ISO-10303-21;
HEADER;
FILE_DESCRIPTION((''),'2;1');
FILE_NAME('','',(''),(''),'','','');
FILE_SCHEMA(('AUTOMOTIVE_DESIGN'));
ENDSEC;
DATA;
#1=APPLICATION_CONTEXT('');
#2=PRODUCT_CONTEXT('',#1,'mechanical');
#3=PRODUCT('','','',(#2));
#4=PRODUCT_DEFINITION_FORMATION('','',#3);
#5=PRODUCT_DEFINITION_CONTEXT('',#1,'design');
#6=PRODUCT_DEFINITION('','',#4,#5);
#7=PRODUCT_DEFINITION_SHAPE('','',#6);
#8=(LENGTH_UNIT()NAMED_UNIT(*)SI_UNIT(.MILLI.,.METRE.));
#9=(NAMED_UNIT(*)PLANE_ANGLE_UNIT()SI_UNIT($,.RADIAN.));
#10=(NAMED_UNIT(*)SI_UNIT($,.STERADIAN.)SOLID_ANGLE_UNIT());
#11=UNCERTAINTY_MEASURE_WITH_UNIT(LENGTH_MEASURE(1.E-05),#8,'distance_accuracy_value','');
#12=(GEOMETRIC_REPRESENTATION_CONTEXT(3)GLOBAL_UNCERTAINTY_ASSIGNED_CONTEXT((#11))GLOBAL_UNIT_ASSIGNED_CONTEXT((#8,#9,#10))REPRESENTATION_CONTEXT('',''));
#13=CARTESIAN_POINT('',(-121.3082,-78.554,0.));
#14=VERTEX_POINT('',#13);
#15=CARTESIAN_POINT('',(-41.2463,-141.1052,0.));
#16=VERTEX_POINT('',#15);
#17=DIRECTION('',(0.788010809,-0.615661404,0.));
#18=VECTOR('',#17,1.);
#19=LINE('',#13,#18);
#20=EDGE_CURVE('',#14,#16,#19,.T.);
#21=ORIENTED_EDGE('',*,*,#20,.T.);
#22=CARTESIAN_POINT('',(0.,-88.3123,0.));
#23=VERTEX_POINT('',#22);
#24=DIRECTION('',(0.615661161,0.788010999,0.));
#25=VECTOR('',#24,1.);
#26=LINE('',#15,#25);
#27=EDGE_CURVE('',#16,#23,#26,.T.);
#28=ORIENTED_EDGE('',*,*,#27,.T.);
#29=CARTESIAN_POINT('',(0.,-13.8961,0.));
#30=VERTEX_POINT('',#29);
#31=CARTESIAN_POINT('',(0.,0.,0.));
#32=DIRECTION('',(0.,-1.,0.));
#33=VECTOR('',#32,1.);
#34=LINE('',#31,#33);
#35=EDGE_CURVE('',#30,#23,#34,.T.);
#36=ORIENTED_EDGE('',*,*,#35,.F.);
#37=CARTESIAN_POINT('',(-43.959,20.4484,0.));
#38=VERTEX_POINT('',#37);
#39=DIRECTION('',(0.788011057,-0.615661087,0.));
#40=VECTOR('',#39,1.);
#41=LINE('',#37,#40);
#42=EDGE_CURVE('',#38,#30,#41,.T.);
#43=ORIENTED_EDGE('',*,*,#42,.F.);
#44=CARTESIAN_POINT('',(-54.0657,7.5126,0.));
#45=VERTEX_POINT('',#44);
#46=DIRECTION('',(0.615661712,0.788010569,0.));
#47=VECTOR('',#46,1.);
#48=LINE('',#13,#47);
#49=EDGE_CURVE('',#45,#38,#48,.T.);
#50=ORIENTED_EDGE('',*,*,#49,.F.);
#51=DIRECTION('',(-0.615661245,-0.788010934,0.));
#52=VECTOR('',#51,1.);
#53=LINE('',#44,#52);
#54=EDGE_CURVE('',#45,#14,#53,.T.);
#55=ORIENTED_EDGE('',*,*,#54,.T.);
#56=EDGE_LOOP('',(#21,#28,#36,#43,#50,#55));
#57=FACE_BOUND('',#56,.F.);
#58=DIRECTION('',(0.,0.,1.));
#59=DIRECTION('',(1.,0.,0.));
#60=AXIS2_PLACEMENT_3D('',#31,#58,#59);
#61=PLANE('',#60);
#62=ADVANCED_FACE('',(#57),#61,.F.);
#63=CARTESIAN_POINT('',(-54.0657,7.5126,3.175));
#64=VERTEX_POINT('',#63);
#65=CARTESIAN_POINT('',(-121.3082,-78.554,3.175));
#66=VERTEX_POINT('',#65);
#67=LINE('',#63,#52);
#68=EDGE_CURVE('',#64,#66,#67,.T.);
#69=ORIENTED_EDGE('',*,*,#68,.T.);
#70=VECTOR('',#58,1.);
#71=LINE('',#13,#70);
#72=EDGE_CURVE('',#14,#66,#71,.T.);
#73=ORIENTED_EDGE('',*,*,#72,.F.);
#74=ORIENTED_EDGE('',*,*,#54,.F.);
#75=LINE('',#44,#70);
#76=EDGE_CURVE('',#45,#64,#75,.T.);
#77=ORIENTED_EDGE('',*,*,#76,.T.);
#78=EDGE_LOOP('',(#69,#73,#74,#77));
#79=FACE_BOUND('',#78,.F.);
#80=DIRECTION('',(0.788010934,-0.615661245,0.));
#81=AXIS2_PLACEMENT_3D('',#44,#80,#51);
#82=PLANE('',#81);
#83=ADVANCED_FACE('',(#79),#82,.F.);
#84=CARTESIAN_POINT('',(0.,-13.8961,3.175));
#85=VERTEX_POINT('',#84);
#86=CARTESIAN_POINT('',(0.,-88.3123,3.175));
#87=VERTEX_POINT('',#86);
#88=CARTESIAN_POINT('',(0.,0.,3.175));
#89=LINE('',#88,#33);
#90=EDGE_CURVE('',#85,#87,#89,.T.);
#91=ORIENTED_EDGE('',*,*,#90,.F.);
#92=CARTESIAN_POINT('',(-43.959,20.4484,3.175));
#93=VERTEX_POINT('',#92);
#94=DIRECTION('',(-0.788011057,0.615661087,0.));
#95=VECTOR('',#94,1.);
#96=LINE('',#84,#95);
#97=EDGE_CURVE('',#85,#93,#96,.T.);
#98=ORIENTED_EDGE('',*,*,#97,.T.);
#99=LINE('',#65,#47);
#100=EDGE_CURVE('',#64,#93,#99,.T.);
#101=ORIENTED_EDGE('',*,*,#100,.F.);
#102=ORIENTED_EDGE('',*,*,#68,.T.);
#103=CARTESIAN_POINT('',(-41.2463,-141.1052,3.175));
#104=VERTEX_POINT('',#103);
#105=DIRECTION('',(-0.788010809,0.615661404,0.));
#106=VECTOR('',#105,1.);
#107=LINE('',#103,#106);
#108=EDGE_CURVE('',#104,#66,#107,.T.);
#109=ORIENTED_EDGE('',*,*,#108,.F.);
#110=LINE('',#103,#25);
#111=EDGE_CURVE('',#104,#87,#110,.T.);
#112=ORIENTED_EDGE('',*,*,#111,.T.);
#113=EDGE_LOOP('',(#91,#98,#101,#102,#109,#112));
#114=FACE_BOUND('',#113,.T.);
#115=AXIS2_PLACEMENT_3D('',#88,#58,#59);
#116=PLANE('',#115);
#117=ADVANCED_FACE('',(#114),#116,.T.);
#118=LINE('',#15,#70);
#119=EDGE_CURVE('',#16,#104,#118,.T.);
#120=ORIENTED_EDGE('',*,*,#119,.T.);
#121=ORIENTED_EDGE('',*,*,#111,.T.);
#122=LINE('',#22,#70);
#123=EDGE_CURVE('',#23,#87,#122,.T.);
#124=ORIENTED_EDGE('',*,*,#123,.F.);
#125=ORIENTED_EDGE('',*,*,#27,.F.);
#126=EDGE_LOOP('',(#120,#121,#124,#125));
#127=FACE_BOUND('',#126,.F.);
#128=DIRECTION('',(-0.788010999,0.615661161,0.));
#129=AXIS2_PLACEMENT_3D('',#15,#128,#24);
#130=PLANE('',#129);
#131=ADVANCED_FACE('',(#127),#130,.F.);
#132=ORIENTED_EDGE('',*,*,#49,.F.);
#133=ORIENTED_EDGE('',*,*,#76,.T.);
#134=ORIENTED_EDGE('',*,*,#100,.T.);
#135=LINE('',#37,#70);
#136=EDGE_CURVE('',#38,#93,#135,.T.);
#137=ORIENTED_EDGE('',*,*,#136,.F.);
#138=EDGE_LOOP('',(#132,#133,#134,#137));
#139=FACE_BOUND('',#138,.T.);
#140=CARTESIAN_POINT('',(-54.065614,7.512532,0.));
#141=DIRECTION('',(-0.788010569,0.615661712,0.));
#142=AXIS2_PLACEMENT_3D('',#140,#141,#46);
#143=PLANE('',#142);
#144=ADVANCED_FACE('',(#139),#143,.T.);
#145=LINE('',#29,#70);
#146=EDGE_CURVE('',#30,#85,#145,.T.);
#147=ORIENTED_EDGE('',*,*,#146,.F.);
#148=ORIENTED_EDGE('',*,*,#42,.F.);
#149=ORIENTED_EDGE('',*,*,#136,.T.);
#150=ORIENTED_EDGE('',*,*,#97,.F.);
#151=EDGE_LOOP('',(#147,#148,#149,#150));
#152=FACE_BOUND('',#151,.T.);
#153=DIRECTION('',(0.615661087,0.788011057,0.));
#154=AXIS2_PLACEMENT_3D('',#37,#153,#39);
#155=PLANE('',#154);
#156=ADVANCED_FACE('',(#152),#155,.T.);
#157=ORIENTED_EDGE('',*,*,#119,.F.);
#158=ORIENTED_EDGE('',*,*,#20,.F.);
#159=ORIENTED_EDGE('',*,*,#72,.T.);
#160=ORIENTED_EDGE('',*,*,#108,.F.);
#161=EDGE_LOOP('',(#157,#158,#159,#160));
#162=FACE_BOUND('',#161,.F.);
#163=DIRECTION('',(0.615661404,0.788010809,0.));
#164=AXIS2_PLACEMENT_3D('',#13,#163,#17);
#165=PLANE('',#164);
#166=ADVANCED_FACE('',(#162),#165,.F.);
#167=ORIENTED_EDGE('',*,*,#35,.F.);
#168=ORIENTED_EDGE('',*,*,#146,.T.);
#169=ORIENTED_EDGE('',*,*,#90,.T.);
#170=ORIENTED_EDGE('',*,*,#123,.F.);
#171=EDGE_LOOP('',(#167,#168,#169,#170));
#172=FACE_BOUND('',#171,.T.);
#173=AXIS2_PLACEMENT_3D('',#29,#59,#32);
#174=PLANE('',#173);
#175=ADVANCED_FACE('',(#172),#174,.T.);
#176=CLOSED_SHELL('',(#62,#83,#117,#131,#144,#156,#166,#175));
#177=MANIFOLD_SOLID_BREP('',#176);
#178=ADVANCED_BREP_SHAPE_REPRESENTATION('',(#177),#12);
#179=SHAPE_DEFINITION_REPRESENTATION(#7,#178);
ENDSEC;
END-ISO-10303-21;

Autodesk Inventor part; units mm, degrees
ref_plane "YZ Plane" through (0, 0, 0) normal (1, 0, 0) x (0, 1, 0)
ref_plane "XZ Plane" through (0, 0, 0) normal (0, 1, 0) x (-1, 0, 0)
ref_plane "Work Plane1" through (0, 0, 0) normal (0, 0, 1) x (1, 0, 0)
sketch "Sketch1" plane through (0, 0, 0) normal (0, 0, 1) x (1, 0, 0)
  line L0 (-44.45, -52.3787) -> (-44.45, 0) projected
  line L1 (-54.0657, 7.5126) -> (-44.45, 0) projected
  line L2 (-54.0657, 7.5126) -> (-147.8925, -112.5803) projected
  line L3 (-112.8654, -139.9464) -> (-147.8925, -112.5803) projected
  line L4 (-44.45, -52.3787) -> (-112.8654, -139.9464) projected
  line L5 (-121.3082, -78.554) -> (-41.2463, -141.1052)
  line L6 (-41.2463, -141.1052) -> (0, -88.3123)
  line L7 (-121.3082, -78.554) -> (-43.959, 20.4484)
  line L8 (-43.959, 20.4484) -> (0, -13.8961)
  line L9 (-44.45, -203.2) -> (-44.45, 0)
  line L10 (-44.45, 0) -> (0, 0)
  line L11 (0, 0) -> (0, -203.2)
  line L12 (0, -203.2) -> (-44.45, -203.2)
  line L13 (0, -13.8961) -> (0, -88.3123)
  dimension "d0" = 101.6
  dimension "d1" = 43.18
extrude "Extrusion1" add sketch "Sketch1" along normal blind 3.175 contours L4 L5 L2 L1 L0 | L9 L5 L4 | L0 L10 L8 L11 L6 L5 L9 | L1 L7 L8 L10
properties part number "side plate"
